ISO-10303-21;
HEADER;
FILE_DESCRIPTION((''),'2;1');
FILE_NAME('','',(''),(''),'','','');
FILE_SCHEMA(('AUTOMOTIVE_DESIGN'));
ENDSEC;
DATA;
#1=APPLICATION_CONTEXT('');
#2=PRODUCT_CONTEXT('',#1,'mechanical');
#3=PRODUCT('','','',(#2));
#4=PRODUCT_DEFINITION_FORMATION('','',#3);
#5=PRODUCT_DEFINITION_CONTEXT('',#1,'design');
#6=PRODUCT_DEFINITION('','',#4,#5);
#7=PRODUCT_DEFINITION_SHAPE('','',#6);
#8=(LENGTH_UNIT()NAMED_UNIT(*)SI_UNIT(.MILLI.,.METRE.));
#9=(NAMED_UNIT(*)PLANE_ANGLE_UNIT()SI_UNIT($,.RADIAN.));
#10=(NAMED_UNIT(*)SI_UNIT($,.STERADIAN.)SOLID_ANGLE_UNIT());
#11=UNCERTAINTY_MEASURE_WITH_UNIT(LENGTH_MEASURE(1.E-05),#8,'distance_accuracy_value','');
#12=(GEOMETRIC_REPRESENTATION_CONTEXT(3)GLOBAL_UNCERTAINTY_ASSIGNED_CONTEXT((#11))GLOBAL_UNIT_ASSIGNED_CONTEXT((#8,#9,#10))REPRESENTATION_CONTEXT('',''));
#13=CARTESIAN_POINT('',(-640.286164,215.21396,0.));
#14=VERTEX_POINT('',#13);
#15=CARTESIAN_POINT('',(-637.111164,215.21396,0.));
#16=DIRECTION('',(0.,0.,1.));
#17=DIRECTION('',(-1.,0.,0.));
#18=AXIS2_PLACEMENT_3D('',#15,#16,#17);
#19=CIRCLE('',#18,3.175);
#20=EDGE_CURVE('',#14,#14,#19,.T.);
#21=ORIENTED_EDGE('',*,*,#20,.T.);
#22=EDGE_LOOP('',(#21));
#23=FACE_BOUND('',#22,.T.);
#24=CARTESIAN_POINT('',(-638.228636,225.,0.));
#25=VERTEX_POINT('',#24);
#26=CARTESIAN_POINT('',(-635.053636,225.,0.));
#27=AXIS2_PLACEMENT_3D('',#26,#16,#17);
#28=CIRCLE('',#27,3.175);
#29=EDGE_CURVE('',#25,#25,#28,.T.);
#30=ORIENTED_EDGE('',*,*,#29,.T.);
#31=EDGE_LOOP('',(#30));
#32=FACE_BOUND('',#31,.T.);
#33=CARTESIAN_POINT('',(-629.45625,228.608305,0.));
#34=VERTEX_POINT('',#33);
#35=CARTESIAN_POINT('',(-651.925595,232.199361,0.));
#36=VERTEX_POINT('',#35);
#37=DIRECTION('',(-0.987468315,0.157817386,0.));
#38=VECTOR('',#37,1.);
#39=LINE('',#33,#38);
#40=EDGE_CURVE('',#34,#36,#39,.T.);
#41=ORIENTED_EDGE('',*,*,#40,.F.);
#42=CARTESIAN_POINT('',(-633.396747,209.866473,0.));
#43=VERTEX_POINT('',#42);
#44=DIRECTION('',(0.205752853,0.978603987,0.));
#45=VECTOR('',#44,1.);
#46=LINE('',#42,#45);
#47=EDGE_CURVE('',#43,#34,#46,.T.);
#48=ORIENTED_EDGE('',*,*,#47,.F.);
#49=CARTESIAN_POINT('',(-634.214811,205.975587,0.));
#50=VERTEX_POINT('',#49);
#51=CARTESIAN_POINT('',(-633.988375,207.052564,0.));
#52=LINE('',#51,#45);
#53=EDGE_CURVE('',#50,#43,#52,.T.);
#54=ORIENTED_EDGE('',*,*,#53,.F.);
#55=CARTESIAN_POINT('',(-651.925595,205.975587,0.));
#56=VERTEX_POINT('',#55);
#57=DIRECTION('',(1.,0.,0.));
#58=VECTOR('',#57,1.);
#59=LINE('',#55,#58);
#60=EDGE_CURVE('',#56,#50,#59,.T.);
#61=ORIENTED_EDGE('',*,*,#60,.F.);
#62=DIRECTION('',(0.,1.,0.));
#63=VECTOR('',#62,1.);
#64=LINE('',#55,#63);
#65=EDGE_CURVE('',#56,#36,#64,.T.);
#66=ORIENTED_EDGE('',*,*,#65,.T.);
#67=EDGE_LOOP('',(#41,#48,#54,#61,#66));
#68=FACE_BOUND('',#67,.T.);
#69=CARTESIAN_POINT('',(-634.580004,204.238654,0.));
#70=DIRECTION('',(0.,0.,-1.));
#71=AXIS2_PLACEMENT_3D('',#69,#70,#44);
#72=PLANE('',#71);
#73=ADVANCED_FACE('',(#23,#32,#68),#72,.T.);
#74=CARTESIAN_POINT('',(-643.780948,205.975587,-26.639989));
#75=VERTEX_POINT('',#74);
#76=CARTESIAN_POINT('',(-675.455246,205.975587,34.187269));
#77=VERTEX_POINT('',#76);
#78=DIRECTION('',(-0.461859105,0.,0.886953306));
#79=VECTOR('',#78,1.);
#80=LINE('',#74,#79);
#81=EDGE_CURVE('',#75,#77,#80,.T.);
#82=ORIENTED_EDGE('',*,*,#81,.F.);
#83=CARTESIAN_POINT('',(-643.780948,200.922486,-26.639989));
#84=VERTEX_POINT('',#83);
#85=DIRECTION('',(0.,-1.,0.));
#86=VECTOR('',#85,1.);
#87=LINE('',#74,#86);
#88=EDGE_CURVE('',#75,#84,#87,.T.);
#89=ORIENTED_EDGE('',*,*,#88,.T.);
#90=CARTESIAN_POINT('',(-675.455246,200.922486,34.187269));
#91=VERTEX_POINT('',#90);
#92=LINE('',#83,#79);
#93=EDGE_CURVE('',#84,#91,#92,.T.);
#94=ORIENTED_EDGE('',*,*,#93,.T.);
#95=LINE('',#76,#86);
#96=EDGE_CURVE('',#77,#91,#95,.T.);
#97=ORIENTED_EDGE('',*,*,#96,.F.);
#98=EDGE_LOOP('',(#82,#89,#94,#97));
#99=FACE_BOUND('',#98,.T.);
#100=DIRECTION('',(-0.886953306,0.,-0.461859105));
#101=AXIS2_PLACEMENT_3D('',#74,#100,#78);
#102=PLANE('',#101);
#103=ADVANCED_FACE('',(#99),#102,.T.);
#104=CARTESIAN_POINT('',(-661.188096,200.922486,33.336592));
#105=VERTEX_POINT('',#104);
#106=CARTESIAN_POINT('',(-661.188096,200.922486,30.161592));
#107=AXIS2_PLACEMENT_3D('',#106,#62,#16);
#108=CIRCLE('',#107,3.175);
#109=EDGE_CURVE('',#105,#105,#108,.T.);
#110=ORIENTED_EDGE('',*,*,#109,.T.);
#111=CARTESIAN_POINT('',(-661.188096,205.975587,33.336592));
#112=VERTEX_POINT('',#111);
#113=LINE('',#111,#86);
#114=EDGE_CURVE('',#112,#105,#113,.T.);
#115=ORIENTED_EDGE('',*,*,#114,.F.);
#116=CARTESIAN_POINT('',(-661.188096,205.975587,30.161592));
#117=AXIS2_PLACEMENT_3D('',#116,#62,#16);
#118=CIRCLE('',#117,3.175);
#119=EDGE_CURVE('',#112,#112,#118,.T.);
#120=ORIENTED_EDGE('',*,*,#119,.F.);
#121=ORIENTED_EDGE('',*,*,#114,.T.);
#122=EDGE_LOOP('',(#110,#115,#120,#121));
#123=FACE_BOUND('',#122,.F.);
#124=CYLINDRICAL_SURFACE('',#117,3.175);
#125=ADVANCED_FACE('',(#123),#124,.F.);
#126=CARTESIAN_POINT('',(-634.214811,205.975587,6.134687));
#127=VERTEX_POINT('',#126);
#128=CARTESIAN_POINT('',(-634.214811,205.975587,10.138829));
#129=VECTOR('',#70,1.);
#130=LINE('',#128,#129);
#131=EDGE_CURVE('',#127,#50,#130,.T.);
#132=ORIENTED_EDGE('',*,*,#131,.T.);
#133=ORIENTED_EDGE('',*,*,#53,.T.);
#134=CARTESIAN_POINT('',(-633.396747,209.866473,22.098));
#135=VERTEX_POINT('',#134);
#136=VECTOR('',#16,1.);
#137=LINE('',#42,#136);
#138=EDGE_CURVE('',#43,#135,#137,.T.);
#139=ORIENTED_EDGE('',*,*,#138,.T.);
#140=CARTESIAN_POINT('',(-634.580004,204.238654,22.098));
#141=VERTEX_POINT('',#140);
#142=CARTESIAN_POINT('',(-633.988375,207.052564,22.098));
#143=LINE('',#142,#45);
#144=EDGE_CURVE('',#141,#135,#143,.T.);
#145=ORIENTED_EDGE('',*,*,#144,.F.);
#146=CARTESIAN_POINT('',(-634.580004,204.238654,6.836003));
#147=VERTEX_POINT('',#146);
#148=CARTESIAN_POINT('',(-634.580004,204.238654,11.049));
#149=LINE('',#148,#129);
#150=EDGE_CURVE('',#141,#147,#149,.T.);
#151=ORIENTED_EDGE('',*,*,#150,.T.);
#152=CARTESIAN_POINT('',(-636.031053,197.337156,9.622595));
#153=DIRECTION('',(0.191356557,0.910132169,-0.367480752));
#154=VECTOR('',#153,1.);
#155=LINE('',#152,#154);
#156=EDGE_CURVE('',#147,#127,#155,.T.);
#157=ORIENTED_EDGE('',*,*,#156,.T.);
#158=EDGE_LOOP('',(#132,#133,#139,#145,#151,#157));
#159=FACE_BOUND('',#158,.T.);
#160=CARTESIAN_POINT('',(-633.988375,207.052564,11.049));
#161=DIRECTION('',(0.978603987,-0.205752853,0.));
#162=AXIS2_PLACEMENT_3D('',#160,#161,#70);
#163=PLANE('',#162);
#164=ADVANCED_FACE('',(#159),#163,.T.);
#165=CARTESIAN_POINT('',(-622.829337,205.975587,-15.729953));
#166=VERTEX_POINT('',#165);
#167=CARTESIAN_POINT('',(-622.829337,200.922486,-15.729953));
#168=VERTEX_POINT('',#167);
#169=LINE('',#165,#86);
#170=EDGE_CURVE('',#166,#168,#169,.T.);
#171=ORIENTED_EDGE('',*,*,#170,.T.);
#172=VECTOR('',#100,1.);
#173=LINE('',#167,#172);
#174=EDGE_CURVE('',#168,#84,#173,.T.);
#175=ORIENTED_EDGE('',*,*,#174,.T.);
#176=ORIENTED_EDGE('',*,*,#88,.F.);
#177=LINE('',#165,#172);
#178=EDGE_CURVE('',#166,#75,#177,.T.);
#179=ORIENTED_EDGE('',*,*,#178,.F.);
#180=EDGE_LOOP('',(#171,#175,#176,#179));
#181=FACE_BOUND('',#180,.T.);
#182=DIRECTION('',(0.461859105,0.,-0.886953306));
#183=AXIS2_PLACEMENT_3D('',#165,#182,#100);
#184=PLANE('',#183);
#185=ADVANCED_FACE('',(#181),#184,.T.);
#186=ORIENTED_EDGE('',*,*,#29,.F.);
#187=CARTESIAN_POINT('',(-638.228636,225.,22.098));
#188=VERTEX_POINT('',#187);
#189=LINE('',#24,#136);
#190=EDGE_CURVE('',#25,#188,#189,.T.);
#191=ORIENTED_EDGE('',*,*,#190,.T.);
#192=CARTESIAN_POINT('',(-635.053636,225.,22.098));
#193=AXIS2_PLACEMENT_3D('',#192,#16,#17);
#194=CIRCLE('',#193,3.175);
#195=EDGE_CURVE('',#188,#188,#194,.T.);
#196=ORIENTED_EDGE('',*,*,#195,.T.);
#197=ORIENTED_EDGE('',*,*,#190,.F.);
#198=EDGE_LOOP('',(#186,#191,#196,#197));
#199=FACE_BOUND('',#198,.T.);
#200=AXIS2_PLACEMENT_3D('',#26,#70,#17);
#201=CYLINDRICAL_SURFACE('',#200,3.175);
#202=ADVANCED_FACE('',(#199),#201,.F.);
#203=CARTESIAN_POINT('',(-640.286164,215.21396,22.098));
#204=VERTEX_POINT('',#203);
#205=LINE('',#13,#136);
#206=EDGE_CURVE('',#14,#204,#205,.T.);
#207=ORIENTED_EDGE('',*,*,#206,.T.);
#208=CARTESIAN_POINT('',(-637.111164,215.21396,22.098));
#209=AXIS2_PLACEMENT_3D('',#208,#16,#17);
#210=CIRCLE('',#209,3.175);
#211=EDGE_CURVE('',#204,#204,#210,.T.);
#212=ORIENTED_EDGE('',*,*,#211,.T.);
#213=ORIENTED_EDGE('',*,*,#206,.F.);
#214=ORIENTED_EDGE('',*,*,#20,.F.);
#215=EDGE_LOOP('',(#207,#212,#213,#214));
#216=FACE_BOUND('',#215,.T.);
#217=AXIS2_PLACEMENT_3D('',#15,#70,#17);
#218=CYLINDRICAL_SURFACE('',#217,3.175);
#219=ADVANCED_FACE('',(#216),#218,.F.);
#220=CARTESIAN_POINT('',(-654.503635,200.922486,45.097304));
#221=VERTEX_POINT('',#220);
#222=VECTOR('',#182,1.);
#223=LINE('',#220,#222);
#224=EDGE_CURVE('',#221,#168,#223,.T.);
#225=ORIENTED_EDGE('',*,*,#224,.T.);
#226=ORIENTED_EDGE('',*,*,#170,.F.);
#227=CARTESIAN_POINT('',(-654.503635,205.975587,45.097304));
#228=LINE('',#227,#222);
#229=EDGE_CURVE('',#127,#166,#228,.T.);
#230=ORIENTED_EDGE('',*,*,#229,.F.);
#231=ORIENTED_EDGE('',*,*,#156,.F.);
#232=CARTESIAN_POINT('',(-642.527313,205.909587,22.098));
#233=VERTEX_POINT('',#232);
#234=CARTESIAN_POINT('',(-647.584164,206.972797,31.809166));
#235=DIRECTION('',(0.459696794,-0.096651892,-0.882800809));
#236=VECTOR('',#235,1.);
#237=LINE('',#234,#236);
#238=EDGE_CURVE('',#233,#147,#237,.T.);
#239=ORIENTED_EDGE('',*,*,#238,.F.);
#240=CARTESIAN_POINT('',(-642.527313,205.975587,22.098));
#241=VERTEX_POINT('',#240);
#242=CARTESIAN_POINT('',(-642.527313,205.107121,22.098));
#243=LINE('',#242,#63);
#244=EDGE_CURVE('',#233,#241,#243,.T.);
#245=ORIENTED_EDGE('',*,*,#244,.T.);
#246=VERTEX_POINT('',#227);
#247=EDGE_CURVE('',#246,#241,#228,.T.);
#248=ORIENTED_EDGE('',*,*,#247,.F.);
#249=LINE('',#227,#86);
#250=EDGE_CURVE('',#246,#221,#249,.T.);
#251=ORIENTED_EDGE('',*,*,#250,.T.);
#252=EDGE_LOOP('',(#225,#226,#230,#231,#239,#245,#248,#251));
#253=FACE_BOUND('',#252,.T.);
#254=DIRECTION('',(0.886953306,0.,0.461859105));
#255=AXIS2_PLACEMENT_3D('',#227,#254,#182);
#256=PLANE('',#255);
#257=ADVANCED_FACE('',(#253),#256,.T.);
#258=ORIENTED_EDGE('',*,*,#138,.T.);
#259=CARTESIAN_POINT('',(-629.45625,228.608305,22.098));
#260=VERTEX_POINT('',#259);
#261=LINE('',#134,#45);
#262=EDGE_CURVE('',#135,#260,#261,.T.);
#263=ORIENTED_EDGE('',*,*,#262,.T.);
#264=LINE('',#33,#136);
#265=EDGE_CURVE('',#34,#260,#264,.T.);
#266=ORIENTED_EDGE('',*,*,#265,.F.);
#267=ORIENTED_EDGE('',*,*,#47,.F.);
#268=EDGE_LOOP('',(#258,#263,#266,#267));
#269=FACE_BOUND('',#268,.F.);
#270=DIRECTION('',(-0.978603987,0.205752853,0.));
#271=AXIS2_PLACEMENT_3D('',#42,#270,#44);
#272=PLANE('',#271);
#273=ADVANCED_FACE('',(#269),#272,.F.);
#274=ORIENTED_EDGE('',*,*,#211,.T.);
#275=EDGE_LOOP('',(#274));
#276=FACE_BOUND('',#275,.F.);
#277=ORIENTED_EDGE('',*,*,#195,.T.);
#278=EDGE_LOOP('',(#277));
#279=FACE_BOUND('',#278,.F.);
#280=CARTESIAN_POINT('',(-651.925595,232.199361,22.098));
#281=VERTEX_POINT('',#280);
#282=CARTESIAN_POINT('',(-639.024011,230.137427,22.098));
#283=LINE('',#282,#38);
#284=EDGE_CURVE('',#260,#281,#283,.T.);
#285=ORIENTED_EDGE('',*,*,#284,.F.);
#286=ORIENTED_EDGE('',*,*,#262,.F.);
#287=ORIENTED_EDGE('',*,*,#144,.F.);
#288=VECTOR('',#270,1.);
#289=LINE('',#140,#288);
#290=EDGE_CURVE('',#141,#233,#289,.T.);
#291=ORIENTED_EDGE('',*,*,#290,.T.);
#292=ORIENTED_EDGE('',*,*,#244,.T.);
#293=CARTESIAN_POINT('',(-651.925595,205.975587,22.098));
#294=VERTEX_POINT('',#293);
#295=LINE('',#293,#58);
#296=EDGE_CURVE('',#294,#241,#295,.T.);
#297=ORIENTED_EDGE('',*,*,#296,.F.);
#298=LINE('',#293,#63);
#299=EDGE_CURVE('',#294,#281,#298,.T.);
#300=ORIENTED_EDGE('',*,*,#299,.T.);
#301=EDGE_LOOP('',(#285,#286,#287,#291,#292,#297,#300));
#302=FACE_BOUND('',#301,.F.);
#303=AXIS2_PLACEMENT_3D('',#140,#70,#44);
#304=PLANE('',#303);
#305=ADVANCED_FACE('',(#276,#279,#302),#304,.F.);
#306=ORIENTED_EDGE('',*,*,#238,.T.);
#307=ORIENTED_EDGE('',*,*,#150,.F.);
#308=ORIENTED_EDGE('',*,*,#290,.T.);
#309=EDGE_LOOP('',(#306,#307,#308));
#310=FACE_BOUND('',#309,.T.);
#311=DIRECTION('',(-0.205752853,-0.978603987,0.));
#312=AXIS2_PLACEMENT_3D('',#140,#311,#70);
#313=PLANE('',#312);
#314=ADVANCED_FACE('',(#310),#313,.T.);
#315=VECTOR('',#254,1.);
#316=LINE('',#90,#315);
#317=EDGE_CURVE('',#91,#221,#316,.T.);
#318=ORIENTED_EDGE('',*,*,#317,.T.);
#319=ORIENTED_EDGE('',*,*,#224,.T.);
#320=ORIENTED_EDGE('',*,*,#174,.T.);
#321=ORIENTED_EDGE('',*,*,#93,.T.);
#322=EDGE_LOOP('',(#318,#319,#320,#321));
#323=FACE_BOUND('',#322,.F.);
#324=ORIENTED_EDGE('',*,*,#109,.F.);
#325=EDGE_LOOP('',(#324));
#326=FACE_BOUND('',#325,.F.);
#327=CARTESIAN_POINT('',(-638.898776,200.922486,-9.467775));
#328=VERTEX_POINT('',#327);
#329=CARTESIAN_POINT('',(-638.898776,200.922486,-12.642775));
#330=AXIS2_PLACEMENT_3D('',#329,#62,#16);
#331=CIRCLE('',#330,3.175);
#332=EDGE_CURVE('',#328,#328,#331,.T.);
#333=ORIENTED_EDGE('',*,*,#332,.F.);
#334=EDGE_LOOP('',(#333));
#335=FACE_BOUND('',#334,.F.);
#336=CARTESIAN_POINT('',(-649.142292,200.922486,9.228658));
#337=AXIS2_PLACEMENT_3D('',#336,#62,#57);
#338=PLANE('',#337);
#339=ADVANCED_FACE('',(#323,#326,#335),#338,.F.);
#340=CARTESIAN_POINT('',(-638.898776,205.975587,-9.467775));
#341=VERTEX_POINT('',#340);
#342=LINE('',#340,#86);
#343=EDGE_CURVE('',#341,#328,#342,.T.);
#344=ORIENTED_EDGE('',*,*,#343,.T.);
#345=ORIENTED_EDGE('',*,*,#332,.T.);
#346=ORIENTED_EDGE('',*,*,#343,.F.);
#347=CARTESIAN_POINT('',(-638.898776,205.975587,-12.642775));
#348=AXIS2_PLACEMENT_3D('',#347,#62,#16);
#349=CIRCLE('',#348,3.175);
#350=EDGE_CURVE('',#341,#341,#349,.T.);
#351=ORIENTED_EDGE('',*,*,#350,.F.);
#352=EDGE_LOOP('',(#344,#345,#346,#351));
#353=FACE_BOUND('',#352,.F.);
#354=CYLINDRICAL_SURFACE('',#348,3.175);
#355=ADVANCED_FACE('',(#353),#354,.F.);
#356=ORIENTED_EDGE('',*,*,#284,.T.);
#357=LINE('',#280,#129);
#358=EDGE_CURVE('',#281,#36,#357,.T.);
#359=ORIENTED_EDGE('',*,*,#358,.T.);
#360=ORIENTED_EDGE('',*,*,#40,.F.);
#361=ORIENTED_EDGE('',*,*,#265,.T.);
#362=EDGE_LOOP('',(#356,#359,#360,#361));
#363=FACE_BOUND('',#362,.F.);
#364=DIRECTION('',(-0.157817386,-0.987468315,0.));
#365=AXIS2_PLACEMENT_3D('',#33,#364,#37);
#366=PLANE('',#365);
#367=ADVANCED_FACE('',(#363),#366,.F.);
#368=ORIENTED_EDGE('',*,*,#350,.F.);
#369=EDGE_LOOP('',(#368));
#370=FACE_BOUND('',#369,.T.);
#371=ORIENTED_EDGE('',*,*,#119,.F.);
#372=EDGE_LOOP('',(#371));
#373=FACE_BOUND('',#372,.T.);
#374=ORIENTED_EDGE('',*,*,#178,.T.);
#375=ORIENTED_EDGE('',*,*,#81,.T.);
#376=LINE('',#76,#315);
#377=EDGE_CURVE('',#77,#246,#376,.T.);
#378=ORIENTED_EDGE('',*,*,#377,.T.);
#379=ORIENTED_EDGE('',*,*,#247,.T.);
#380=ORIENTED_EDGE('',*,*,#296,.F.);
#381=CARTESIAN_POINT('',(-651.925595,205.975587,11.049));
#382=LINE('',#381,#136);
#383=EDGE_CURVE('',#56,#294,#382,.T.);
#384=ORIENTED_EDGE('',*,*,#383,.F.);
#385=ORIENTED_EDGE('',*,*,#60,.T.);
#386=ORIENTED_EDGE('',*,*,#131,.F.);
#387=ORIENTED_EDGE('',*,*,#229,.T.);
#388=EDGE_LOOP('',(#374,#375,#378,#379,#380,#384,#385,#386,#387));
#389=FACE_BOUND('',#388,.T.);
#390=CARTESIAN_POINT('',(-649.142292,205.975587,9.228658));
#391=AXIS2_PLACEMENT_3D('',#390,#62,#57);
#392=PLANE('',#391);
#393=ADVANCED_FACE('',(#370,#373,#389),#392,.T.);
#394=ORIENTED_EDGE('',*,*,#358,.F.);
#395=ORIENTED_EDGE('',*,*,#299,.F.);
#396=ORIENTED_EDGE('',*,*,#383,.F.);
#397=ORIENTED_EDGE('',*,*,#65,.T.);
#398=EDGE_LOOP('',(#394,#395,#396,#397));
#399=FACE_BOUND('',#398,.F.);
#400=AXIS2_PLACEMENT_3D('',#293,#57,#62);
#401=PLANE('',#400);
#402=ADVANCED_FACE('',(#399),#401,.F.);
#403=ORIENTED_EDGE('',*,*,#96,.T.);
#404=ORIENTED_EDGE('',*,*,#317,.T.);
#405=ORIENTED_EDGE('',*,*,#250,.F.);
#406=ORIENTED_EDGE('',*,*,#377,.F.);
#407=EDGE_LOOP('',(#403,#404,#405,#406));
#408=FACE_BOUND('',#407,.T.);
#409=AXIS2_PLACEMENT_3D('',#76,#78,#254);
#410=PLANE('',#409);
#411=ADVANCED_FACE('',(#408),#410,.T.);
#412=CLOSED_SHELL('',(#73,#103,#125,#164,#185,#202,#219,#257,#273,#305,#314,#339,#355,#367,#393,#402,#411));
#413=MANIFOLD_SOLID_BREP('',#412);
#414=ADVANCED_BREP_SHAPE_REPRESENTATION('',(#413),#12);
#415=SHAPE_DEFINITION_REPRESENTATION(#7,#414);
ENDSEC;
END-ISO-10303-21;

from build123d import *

# Parameters (mm, degrees)
SKETCH2_R           = 3.175
BOSS_EXTRUDE1_DEPTH = 22.098
SKETCH3_W           = 8.89
SKETCH3_H           = 22.098
BOSS_EXTRUDE2_DEPTH = 7.62
SKETCH4_R           = 3.175
BOSS_EXTRUDE3_DEPTH = 5.0531014
BOSS_EXTRUDE4_DEPTH = 22.098
CUT_EXTRUDE1_DEPTH  = 126.746
BOSS_EXTRUDE6_REACH = 111.16
SKETCH8_W           = 22.098
SKETCH8_H           = 5.750865106


with BuildPart() as part:
    # Sketch2 → Boss-Extrude1 (new body)
    # profile 1 of 2: a face of its own
    with BuildSketch(Plane.XY):
        with BuildLine():
            Line((-633.396746705, 209.866473294), (-629.456250373, 228.608305414))
            Line((-629.456250373, 228.608305414), (-640.203126947, 230.867851197))
            ThreePointArc((-640.203126947, 230.867851197), (-642.751451447, 226.300988286), (-641.845462116, 221.150320569))
            ThreePointArc((-641.845462116, 221.150320569), (-644.490547106, 217.002439965), (-644.037989982, 212.103809529))
            Line((-644.037989982, 212.103809529), (-633.396746705, 209.866473294))
        make_face()
        with Locations(Location((-637.11116423, 215.213960129, 0), (0, 0, 180))):
            Circle(SKETCH2_R, mode=Mode.SUBTRACT)
        with Locations(Location((-635.053635704, 225, 0), (0, 0, 180))):
            Circle(SKETCH2_R, mode=Mode.SUBTRACT)
    # profile 2 of 2: a face of its own
    with BuildSketch(Plane.XY):
        with BuildLine():
            ThreePointArc((-641.845462116, 221.150320569), (-642.751451447, 226.300988286), (-640.203126947, 230.867851197))
            Line((-640.203126947, 230.867851197), (-646.417262265, 232.174381811))
            Line((-646.417262265, 232.174381811), (-650.357758597, 213.432549691))
            Line((-650.357758597, 213.432549691), (-644.037989982, 212.103809529))
            ThreePointArc((-644.037989982, 212.103809529), (-644.490547106, 217.002439965), (-641.845462116, 221.150320569))
        make_face()
    extrude(amount=BOSS_EXTRUDE1_DEPTH)

    # Sketch3 → Boss-Extrude2 (add)
    with BuildSketch(Plane(origin=(15.442364745, 73.44714554, 0), x_dir=(0.9786039871389689, -0.20575285260650172, 0), z_dir=(-0.20575285260650172, -0.9786039871389689, 0))):
        with Locations((-675.912051568, 11.049)):
            Rectangle(SKETCH3_W, SKETCH3_H)
    extrude(amount=BOSS_EXTRUDE2_DEPTH)

    # Sketch4 → Boss-Extrude3 (add)
    with BuildSketch(Plane(origin=(0, 205.975587309, 0), x_dir=(1, 0, 0), z_dir=(0, 1, 0))):
        Polygon((-643.78094836, 26.639989184), (-675.455245779, -34.187268547), (-654.503634783, -45.097304324), (-622.829337364, 15.729953406), align=None)
        with Locations(Location((-638.898775927, 12.642774556, 0), (0, 0, 270))):
            Circle(SKETCH4_R, mode=Mode.SUBTRACT)
        with Locations(Location((-661.188096333, -30.161591995, 0), (0, 0, 270))):
            Circle(SKETCH4_R, mode=Mode.SUBTRACT)
    extrude(amount=-BOSS_EXTRUDE3_DEPTH)

    # Sketch5 → Boss-Extrude4 (add)
    with BuildSketch(Plane.XY.offset(22.098)):
        Polygon((-651.925595334, 205.975587309), (-651.925595334, 232.199360665), (-646.417262265, 232.174381811), align=None)
    extrude(amount=-BOSS_EXTRUDE4_DEPTH)

    # Sketch6 → Cut-Extrude1 (cut)
    with BuildSketch(Plane(origin=(0, 0, 0), x_dir=(-1, 0, 0), z_dir=(0, 0, -1))):
        Polygon((629.456250373, 228.608305414), (651.925595334, 232.199360665), (646.417262265, 232.174381811), align=None)
    extrude(amount=-CUT_EXTRUDE1_DEPTH, mode=Mode.SUBTRACT)

    # Boss-Extrude6: up to this face of the body (flat: up to its plane)
    boss_extrude6_end = Plane(part.part.faces().sort_by_distance((-642.249597602, 208.78949707, 11.049))[0])
    # Sketch8 → Boss-Extrude6 (add, up to the picked face)
    with BuildSketch(Plane(origin=(-648.83911145, 136.419327755, 0), x_dir=(0, 0, -1), z_dir=(0.9786039871389688, -0.20575285260650203, 0)), mode=Mode.PRIVATE) as boss_extrude6_sk1:
        with Locations((-11.049, 72.177547513)):
            Rectangle(SKETCH8_W, SKETCH8_H)
    boss_extrude6_tool1 = split(extrude(boss_extrude6_sk1.sketch, amount=-BOSS_EXTRUDE6_REACH, mode=Mode.PRIVATE), bisect_by=boss_extrude6_end, keep=Keep.BOTH, mode=Mode.PRIVATE)
    add(boss_extrude6_tool1.solids().sort_by(Axis((-633.988375, 207.052564, 11.049), (-0.9786039871389688, 0.20575285260650203, 0)))[0])


solid = part.part
